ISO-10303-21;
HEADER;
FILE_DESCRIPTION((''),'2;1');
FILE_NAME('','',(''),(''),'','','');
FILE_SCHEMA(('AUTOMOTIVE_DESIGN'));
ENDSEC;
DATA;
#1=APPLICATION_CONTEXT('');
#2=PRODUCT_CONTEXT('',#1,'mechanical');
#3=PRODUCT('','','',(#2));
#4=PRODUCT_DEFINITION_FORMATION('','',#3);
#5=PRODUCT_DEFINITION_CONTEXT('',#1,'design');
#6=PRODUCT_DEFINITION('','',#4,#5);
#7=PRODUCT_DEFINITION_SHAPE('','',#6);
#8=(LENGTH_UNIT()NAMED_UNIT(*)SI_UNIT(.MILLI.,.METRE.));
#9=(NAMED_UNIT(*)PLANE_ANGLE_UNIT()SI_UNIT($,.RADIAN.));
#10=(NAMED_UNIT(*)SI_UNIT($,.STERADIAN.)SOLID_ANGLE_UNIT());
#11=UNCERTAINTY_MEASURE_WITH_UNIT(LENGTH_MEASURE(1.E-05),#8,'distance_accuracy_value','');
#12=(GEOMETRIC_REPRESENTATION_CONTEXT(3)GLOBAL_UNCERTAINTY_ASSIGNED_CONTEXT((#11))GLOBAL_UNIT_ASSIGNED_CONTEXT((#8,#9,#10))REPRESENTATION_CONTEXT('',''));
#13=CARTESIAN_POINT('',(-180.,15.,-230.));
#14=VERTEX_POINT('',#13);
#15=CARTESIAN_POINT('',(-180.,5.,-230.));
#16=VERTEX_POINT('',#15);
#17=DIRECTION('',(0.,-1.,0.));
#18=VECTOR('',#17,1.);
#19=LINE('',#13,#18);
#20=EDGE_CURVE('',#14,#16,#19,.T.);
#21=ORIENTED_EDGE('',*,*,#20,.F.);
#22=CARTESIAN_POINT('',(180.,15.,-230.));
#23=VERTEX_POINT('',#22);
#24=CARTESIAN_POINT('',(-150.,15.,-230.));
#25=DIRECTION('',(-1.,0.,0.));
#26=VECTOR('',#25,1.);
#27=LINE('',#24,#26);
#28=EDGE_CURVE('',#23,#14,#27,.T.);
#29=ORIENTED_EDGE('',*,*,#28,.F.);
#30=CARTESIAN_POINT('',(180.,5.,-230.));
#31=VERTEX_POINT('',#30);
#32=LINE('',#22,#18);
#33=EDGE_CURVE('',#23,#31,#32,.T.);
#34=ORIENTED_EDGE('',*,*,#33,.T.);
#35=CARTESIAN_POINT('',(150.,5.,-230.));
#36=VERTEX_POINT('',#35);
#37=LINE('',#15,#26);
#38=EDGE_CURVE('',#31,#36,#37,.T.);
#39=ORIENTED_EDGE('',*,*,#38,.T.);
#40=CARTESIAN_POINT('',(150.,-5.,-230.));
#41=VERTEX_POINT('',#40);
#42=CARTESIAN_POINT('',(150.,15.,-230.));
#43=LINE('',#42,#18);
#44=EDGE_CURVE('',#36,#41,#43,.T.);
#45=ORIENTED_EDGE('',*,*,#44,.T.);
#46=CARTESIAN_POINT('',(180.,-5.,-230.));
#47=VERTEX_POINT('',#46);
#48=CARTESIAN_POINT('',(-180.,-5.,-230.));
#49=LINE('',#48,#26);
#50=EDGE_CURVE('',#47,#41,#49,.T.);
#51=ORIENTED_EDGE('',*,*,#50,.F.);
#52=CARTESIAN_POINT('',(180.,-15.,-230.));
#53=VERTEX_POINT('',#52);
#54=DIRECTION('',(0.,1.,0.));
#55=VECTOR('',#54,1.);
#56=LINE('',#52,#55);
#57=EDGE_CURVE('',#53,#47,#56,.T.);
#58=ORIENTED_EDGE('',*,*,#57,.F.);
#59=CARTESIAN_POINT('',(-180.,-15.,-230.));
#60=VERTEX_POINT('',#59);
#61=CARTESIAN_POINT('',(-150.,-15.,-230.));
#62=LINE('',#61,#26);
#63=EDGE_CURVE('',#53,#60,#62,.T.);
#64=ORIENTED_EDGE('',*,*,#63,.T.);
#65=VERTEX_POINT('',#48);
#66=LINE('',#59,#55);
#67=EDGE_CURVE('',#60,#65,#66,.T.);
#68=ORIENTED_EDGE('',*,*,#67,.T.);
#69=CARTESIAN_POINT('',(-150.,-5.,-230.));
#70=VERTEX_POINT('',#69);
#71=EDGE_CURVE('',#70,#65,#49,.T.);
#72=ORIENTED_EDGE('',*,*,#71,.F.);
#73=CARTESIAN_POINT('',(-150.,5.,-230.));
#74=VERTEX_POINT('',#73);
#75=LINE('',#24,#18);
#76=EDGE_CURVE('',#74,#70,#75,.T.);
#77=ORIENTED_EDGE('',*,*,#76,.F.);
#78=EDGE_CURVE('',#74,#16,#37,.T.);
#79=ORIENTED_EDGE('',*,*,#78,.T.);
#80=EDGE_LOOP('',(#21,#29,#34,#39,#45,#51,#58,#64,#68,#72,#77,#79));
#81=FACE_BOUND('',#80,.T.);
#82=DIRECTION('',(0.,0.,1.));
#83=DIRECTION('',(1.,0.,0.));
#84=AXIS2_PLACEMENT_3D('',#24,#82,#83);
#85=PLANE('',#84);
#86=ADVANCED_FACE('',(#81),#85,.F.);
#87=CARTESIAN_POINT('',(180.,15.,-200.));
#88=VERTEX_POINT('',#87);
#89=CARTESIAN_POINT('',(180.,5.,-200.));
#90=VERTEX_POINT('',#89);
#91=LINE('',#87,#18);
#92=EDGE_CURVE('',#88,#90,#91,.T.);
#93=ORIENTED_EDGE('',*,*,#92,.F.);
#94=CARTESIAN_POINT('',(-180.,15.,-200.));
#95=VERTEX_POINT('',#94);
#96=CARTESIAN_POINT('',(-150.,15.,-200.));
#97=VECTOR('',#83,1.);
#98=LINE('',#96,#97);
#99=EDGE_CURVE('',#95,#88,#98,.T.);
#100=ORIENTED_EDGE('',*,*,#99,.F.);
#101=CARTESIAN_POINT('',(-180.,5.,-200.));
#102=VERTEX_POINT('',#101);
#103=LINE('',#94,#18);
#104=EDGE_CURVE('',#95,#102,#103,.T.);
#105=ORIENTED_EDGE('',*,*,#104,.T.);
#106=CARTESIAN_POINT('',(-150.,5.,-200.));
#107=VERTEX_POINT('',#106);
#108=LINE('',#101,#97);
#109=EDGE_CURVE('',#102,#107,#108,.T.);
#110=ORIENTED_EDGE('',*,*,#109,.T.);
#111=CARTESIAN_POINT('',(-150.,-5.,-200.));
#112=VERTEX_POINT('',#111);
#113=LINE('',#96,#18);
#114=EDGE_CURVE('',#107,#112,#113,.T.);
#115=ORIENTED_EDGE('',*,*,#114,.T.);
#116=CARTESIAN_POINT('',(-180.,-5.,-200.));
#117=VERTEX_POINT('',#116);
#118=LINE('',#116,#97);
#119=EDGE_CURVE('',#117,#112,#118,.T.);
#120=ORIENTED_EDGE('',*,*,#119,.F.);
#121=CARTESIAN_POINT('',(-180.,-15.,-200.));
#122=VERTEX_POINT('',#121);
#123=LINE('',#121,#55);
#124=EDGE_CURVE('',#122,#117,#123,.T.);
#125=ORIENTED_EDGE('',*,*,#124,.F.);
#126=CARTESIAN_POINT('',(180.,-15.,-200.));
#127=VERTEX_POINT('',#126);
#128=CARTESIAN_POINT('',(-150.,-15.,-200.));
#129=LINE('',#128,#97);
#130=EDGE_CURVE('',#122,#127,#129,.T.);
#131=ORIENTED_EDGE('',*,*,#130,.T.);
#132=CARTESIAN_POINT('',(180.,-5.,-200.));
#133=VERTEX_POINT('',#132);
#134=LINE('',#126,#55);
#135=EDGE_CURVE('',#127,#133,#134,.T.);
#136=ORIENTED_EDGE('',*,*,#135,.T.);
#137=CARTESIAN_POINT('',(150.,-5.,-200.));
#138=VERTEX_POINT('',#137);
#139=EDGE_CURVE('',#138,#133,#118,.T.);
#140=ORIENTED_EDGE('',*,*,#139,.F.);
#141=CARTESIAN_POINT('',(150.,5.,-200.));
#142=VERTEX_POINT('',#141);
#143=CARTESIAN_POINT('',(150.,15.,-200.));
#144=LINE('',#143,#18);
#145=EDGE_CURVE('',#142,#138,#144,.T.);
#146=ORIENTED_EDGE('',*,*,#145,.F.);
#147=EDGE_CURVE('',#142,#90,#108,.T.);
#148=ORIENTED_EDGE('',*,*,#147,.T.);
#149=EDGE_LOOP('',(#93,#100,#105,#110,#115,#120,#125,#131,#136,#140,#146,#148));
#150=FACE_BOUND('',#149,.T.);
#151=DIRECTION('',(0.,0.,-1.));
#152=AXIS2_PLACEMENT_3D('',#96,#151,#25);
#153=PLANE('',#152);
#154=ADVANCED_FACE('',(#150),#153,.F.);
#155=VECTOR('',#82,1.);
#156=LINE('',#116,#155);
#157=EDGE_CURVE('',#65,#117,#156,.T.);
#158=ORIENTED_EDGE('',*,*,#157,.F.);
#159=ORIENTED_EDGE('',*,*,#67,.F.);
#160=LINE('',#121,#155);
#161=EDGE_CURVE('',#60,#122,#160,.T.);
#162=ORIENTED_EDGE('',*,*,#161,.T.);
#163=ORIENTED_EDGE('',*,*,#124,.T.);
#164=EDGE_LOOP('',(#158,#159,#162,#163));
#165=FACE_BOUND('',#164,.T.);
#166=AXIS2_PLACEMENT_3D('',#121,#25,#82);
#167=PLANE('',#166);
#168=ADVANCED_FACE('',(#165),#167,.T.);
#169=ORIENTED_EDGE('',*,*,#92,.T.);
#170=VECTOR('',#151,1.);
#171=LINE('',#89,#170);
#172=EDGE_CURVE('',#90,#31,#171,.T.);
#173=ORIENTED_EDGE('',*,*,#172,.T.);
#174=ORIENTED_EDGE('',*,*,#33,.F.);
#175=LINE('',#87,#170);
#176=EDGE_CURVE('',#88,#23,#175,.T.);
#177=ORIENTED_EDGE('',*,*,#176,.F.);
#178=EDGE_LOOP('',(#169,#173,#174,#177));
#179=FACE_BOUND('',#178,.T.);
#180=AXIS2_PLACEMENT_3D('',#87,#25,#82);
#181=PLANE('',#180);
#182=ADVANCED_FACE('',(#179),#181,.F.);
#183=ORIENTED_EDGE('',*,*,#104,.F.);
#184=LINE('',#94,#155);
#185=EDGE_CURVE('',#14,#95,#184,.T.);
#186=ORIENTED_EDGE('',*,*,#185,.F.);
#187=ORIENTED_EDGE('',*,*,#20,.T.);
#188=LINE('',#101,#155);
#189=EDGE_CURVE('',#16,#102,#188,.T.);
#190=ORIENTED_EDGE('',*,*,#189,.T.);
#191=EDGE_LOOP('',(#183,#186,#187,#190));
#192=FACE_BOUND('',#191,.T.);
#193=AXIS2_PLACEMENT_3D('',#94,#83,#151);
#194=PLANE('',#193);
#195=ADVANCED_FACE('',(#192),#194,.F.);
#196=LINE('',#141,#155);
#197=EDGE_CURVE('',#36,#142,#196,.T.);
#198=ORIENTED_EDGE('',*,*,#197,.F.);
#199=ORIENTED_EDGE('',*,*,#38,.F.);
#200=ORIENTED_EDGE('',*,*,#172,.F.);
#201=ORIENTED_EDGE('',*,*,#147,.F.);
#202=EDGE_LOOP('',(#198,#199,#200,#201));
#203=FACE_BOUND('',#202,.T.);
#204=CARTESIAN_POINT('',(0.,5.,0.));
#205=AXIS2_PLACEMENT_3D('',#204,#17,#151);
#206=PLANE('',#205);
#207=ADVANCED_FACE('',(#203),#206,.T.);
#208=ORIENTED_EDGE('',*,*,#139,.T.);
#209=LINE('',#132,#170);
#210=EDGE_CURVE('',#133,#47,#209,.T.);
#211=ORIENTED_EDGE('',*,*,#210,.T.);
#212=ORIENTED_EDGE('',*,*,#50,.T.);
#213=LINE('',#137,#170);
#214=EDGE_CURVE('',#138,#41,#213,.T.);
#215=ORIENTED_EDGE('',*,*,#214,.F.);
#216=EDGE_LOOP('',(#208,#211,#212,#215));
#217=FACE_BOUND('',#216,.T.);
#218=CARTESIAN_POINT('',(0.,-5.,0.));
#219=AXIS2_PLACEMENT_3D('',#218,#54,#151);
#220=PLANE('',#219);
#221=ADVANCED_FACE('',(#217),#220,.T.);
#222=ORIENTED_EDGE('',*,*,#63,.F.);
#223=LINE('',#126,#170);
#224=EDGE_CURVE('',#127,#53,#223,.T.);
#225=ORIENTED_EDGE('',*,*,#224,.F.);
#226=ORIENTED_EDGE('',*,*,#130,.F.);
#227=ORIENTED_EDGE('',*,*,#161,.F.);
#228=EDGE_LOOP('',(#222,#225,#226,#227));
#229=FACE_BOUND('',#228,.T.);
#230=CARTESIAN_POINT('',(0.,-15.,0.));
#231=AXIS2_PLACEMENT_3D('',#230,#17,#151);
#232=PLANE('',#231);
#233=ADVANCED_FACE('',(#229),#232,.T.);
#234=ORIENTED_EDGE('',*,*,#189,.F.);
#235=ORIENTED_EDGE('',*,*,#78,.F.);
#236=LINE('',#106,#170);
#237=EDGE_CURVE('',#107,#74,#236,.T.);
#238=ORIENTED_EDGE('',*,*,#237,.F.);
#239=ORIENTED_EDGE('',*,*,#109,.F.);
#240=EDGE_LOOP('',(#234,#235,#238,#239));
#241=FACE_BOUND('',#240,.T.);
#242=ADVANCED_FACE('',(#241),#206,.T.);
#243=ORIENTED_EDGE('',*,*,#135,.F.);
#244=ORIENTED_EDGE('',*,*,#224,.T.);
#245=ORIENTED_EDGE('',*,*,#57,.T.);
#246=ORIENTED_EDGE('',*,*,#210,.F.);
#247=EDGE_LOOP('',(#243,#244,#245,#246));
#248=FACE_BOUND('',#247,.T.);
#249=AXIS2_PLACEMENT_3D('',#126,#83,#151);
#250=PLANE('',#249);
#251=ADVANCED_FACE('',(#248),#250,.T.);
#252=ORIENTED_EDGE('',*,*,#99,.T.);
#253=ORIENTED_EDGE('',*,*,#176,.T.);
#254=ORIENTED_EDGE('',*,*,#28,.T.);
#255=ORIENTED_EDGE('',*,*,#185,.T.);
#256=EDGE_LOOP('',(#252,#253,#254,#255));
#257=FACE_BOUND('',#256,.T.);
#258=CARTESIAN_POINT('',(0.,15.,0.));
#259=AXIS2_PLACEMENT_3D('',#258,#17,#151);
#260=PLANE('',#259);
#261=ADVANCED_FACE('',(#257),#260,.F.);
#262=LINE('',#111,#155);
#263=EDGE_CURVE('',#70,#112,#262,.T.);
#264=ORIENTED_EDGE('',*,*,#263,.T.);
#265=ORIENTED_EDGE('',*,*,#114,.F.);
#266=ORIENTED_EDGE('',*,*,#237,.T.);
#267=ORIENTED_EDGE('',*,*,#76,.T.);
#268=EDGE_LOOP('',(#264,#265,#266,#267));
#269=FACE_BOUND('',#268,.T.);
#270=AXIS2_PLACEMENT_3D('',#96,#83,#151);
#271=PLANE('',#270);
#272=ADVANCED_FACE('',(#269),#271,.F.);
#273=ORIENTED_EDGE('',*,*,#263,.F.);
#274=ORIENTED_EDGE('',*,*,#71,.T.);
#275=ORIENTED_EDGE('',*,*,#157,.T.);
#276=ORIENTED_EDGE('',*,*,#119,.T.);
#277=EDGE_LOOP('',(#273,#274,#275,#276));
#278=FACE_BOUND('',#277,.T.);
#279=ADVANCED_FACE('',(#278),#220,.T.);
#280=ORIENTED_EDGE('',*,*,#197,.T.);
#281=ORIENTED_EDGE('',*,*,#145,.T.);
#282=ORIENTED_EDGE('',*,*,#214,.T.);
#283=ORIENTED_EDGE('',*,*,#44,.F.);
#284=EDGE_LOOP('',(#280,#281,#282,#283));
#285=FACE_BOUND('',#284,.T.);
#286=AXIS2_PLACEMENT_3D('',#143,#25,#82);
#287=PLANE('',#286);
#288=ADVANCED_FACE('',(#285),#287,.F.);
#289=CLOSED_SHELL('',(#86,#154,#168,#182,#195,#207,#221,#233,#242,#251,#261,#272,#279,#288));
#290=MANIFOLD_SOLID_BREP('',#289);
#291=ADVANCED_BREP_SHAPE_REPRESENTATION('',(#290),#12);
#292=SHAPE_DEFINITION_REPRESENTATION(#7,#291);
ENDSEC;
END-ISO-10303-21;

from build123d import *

# Parameters (mm, degrees)
CROQUIS1_W              = 300
CROQUIS1_H              = 30
SALIENTE_EXTRUIR1_DEPTH = 15
SALIENTE_EXTRUIR2_START = 10
CROQUIS2_W              = 360
CROQUIS2_H              = 30
SALIENTE_EXTRUIR2_DEPTH = 5


with BuildPart() as part:
    # Croquis1 → Saliente-Extruir1 (new, symmetric)
    with BuildSketch(Plane(origin=(0, 0, 0), x_dir=(1, 0, 0), z_dir=(0, 1, 0))):
        with Locations((0, 215)):
            Rectangle(CROQUIS1_W, CROQUIS1_H)
    extrude(amount=SALIENTE_EXTRUIR1_DEPTH, both=True)

    # Croquis2 → Saliente-Extruir2 (add, symmetric)
    with BuildSketch(Plane(origin=(0, 0, 0), x_dir=(1, 0, 0), z_dir=(0, 1, 0)).offset(SALIENTE_EXTRUIR2_START)):
        with Locations((0, 215)):
            Rectangle(CROQUIS2_W, CROQUIS2_H)
    saliente_extruir2 = extrude(amount=SALIENTE_EXTRUIR2_DEPTH, both=True)

    # Simetría1: Saliente-Extruir2 across plane
    add(saliente_extruir2.mirror(Plane.ZX))


solid = part.part
